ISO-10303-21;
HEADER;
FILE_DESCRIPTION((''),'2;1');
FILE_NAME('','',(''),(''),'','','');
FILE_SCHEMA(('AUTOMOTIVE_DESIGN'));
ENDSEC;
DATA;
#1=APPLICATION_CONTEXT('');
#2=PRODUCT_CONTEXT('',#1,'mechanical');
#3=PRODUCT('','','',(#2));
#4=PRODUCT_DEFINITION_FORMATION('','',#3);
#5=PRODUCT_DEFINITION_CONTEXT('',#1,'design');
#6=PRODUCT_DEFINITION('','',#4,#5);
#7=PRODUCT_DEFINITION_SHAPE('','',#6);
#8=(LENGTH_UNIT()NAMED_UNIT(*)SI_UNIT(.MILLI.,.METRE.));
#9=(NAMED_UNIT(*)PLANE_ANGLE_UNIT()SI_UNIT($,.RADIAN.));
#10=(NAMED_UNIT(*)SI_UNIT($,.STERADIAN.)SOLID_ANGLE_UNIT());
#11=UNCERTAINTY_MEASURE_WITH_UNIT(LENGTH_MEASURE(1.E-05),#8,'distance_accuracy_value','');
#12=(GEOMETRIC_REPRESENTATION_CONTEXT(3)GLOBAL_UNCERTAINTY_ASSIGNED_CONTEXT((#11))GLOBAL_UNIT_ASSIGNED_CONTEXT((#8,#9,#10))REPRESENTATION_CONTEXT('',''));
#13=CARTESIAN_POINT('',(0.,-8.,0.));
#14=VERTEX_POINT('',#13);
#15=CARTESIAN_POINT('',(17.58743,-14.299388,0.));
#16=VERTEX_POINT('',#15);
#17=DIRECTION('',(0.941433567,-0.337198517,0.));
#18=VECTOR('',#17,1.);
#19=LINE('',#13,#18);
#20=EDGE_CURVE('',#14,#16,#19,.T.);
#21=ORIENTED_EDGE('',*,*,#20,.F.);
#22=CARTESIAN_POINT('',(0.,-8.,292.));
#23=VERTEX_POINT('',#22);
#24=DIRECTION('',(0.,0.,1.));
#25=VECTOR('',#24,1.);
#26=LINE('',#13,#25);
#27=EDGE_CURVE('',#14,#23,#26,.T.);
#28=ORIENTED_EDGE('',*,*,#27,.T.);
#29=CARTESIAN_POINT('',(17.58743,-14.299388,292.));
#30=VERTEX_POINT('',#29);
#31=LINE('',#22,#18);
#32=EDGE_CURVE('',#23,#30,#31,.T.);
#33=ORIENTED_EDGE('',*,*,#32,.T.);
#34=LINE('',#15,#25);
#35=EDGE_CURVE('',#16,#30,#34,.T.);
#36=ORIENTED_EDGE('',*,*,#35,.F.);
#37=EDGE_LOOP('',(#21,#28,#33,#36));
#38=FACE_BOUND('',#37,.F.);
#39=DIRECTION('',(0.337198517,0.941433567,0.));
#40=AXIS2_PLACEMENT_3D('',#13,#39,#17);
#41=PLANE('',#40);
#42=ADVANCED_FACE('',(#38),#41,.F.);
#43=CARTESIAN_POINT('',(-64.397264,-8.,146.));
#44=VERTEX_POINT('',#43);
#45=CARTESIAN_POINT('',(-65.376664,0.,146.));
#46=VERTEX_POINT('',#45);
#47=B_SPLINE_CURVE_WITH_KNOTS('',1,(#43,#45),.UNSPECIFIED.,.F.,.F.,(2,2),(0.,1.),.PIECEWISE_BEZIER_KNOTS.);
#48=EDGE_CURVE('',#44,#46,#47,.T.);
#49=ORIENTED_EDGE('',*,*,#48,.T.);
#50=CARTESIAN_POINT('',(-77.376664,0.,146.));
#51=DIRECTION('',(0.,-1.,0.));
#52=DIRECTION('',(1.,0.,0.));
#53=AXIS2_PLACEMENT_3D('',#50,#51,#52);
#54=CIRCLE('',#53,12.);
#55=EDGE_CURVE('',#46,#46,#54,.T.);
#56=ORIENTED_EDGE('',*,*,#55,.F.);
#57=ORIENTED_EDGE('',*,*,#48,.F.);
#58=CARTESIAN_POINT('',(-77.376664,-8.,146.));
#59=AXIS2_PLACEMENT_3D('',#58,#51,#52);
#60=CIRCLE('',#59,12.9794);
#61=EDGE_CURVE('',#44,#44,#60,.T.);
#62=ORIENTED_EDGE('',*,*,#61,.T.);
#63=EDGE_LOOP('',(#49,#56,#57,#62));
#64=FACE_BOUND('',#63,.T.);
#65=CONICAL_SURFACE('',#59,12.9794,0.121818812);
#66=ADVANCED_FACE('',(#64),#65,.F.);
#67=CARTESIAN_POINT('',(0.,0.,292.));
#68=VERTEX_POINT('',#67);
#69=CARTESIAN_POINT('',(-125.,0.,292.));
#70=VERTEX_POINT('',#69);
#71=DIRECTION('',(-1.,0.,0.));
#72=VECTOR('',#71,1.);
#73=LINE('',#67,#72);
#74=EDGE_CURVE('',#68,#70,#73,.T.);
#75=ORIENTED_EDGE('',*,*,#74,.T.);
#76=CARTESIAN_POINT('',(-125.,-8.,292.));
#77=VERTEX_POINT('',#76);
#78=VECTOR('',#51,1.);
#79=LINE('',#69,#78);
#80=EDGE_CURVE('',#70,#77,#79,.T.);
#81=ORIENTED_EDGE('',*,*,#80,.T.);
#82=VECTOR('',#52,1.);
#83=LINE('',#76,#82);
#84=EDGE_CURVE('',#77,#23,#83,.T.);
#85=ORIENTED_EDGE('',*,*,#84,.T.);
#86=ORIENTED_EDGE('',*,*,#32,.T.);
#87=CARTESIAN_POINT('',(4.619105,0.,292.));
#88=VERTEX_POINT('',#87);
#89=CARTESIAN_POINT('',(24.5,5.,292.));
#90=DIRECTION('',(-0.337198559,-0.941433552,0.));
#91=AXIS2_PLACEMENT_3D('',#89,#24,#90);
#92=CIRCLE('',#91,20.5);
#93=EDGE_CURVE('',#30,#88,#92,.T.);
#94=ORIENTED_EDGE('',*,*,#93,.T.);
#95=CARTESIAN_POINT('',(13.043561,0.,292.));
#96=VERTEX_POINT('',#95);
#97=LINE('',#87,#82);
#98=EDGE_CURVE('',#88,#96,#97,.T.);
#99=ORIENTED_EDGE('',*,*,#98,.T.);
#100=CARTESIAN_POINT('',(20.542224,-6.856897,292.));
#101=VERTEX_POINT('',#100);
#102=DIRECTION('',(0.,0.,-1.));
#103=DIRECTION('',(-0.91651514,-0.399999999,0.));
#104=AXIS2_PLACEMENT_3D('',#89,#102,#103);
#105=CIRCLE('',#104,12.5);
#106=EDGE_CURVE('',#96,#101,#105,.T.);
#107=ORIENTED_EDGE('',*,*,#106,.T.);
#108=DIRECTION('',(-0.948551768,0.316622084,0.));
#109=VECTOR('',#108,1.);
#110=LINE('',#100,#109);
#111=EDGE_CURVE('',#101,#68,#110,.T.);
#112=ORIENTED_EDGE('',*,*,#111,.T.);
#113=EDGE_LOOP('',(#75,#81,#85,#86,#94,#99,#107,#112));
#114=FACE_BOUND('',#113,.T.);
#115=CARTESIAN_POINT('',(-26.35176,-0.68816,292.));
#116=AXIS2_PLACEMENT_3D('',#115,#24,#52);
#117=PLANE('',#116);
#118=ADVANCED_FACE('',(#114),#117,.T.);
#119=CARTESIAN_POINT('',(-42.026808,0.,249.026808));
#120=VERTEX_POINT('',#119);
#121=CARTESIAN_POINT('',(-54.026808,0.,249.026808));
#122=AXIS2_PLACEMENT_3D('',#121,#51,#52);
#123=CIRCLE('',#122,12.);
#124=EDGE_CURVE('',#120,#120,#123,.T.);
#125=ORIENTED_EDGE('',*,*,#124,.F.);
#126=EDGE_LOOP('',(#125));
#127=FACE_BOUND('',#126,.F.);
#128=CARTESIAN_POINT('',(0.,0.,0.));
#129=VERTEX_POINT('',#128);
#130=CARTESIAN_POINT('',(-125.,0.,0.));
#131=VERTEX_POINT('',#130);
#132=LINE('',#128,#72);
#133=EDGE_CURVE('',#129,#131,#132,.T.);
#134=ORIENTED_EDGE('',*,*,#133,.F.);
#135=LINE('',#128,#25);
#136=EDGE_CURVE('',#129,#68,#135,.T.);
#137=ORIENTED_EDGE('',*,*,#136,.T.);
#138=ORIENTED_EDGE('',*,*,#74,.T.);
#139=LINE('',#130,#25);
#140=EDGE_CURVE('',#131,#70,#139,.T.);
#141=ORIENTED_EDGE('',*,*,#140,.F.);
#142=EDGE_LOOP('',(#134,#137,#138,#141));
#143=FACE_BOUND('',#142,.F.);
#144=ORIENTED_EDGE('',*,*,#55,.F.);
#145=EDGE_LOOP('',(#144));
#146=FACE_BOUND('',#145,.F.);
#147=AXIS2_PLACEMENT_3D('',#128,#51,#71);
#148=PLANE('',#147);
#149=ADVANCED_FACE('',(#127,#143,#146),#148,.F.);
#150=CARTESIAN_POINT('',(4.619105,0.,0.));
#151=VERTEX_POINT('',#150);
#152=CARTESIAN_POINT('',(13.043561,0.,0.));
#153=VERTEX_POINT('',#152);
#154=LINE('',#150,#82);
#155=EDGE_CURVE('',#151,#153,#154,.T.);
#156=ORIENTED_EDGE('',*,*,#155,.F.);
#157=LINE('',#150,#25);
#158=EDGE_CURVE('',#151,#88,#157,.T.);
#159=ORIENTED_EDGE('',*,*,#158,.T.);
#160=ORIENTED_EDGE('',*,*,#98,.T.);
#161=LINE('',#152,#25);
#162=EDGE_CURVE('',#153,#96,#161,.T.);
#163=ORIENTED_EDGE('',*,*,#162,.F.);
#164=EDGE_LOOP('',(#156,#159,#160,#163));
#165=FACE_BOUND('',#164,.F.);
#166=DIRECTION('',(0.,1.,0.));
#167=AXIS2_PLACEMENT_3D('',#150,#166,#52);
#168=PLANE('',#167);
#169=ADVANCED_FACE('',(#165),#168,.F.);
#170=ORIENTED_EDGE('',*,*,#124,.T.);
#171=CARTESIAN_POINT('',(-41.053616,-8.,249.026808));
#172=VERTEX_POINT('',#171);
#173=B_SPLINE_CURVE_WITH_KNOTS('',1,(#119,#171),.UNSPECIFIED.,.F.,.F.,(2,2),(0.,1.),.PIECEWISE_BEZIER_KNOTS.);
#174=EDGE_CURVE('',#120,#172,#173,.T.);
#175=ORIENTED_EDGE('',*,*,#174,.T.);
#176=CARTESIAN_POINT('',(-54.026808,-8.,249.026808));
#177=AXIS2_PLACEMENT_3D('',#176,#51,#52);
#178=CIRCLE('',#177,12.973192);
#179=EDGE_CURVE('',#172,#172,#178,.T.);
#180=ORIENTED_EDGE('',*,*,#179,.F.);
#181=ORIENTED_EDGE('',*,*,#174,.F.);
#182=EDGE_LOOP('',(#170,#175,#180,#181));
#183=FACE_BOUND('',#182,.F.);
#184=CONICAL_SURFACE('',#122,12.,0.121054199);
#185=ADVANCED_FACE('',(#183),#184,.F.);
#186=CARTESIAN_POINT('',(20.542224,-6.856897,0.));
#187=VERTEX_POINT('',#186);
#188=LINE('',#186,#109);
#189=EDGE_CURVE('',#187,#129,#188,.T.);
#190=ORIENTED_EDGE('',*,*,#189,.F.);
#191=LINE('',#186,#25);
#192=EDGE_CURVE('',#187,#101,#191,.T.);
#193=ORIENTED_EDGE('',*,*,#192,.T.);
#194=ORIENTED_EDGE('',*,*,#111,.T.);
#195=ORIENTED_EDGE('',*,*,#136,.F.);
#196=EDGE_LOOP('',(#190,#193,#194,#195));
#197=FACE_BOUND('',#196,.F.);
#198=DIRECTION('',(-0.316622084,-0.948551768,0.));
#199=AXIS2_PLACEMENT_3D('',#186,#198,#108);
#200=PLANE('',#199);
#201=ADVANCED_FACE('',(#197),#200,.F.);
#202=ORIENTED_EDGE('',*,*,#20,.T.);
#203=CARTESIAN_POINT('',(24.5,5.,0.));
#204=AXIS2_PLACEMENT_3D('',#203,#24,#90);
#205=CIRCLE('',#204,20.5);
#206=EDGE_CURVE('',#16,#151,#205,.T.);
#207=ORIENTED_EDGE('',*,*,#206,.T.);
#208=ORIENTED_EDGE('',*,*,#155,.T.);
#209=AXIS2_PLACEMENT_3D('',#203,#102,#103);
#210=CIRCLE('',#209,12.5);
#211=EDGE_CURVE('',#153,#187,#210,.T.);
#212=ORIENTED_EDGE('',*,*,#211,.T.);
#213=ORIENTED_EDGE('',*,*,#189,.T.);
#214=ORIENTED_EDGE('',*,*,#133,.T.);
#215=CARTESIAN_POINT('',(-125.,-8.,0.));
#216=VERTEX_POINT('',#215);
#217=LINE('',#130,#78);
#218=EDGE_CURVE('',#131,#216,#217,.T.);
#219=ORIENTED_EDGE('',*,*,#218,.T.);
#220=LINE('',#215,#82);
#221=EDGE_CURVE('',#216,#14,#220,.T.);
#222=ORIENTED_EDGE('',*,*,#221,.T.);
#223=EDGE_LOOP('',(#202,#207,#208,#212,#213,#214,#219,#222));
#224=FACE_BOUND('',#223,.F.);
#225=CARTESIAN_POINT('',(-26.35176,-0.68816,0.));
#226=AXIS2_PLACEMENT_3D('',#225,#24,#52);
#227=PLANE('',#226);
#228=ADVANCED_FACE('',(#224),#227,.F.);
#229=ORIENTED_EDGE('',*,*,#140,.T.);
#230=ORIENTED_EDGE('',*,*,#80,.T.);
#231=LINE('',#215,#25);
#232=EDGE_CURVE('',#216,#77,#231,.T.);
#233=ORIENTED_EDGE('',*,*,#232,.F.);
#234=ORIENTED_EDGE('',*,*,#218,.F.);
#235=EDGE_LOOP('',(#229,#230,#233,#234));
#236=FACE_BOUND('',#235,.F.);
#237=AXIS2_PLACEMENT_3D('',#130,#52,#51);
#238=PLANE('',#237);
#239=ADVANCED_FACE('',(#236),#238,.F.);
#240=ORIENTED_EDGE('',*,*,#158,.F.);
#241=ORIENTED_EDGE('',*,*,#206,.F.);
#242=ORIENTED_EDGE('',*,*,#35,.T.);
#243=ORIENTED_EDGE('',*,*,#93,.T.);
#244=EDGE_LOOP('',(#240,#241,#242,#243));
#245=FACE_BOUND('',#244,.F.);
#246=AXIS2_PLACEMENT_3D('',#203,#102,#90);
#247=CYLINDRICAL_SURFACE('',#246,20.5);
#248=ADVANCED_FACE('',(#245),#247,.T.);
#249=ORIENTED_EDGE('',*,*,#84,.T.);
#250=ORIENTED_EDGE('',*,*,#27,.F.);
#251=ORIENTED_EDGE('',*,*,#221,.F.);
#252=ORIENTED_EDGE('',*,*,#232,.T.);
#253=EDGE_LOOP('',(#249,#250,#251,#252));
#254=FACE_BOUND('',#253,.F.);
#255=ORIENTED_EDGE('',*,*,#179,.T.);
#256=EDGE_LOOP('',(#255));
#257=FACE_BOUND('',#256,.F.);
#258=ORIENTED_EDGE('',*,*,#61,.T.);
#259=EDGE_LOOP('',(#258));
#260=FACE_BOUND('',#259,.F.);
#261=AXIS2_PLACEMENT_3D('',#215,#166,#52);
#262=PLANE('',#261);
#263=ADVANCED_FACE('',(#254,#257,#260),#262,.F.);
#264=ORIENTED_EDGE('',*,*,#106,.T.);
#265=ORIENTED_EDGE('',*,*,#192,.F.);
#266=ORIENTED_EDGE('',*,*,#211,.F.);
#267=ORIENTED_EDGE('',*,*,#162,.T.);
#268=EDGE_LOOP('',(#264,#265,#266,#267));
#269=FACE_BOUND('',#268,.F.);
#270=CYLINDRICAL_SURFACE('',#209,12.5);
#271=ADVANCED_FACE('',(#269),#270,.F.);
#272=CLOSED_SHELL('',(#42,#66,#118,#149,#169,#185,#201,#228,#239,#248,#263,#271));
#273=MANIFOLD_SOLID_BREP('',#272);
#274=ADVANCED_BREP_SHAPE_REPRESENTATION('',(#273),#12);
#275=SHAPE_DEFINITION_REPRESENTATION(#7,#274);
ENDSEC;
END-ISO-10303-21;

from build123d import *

# Parameters (mm, degrees)
F1_DEPTH = 292
F3_R     = 12
F2_R     = 12.973192
F2_R_2   = 12.9794


with BuildPart() as f1:
    # F0 (on Top) → F1 (new body)
    with BuildSketch(Plane.XY):
        with BuildLine():
            Line((20.542224, -6.856897), (0, 0))
            Line((0, 0), (-125, 0))
            Line((-125, 0), (-125, -8))
            Line((-125, -8), (0, -8))
            Line((0, -8), (17.58743, -14.299388))
            ThreePointArc((17.58743, -14.299388), (39.685209, 18.77169), (4.619105, 0))
            Line((4.619105, 0), (13.043561, 0))
            ThreePointArc((13.043561, 0), (32.935269, 14.224762), (20.542224, -6.856897))
        make_face()
    extrude(amount=F1_DEPTH)

    # F3 (on Front) → F4 section 0
    with BuildSketch(Plane.XZ):
        with Locations((-54.026808, 249.026808)):
            Circle(F3_R)
    # F2 (on face) → F4 section 1
    with BuildSketch(Plane.XZ.offset(8)):
        with Locations((-54.026808, 249.026808)):
            Circle(F2_R)
    loft(mode=Mode.SUBTRACT)

    # F2 (on face) → F5 section 0
    with BuildSketch(Plane.XZ.offset(8)):
        with Locations((-77.376664, 146)):
            Circle(F2_R_2)
    # F3 (on Front) → F5 section 1
    with BuildSketch(Plane.XZ):
        with Locations((-77.376664, 146)):
            Circle(F3_R)
    loft(mode=Mode.SUBTRACT)


solid = f1.part
